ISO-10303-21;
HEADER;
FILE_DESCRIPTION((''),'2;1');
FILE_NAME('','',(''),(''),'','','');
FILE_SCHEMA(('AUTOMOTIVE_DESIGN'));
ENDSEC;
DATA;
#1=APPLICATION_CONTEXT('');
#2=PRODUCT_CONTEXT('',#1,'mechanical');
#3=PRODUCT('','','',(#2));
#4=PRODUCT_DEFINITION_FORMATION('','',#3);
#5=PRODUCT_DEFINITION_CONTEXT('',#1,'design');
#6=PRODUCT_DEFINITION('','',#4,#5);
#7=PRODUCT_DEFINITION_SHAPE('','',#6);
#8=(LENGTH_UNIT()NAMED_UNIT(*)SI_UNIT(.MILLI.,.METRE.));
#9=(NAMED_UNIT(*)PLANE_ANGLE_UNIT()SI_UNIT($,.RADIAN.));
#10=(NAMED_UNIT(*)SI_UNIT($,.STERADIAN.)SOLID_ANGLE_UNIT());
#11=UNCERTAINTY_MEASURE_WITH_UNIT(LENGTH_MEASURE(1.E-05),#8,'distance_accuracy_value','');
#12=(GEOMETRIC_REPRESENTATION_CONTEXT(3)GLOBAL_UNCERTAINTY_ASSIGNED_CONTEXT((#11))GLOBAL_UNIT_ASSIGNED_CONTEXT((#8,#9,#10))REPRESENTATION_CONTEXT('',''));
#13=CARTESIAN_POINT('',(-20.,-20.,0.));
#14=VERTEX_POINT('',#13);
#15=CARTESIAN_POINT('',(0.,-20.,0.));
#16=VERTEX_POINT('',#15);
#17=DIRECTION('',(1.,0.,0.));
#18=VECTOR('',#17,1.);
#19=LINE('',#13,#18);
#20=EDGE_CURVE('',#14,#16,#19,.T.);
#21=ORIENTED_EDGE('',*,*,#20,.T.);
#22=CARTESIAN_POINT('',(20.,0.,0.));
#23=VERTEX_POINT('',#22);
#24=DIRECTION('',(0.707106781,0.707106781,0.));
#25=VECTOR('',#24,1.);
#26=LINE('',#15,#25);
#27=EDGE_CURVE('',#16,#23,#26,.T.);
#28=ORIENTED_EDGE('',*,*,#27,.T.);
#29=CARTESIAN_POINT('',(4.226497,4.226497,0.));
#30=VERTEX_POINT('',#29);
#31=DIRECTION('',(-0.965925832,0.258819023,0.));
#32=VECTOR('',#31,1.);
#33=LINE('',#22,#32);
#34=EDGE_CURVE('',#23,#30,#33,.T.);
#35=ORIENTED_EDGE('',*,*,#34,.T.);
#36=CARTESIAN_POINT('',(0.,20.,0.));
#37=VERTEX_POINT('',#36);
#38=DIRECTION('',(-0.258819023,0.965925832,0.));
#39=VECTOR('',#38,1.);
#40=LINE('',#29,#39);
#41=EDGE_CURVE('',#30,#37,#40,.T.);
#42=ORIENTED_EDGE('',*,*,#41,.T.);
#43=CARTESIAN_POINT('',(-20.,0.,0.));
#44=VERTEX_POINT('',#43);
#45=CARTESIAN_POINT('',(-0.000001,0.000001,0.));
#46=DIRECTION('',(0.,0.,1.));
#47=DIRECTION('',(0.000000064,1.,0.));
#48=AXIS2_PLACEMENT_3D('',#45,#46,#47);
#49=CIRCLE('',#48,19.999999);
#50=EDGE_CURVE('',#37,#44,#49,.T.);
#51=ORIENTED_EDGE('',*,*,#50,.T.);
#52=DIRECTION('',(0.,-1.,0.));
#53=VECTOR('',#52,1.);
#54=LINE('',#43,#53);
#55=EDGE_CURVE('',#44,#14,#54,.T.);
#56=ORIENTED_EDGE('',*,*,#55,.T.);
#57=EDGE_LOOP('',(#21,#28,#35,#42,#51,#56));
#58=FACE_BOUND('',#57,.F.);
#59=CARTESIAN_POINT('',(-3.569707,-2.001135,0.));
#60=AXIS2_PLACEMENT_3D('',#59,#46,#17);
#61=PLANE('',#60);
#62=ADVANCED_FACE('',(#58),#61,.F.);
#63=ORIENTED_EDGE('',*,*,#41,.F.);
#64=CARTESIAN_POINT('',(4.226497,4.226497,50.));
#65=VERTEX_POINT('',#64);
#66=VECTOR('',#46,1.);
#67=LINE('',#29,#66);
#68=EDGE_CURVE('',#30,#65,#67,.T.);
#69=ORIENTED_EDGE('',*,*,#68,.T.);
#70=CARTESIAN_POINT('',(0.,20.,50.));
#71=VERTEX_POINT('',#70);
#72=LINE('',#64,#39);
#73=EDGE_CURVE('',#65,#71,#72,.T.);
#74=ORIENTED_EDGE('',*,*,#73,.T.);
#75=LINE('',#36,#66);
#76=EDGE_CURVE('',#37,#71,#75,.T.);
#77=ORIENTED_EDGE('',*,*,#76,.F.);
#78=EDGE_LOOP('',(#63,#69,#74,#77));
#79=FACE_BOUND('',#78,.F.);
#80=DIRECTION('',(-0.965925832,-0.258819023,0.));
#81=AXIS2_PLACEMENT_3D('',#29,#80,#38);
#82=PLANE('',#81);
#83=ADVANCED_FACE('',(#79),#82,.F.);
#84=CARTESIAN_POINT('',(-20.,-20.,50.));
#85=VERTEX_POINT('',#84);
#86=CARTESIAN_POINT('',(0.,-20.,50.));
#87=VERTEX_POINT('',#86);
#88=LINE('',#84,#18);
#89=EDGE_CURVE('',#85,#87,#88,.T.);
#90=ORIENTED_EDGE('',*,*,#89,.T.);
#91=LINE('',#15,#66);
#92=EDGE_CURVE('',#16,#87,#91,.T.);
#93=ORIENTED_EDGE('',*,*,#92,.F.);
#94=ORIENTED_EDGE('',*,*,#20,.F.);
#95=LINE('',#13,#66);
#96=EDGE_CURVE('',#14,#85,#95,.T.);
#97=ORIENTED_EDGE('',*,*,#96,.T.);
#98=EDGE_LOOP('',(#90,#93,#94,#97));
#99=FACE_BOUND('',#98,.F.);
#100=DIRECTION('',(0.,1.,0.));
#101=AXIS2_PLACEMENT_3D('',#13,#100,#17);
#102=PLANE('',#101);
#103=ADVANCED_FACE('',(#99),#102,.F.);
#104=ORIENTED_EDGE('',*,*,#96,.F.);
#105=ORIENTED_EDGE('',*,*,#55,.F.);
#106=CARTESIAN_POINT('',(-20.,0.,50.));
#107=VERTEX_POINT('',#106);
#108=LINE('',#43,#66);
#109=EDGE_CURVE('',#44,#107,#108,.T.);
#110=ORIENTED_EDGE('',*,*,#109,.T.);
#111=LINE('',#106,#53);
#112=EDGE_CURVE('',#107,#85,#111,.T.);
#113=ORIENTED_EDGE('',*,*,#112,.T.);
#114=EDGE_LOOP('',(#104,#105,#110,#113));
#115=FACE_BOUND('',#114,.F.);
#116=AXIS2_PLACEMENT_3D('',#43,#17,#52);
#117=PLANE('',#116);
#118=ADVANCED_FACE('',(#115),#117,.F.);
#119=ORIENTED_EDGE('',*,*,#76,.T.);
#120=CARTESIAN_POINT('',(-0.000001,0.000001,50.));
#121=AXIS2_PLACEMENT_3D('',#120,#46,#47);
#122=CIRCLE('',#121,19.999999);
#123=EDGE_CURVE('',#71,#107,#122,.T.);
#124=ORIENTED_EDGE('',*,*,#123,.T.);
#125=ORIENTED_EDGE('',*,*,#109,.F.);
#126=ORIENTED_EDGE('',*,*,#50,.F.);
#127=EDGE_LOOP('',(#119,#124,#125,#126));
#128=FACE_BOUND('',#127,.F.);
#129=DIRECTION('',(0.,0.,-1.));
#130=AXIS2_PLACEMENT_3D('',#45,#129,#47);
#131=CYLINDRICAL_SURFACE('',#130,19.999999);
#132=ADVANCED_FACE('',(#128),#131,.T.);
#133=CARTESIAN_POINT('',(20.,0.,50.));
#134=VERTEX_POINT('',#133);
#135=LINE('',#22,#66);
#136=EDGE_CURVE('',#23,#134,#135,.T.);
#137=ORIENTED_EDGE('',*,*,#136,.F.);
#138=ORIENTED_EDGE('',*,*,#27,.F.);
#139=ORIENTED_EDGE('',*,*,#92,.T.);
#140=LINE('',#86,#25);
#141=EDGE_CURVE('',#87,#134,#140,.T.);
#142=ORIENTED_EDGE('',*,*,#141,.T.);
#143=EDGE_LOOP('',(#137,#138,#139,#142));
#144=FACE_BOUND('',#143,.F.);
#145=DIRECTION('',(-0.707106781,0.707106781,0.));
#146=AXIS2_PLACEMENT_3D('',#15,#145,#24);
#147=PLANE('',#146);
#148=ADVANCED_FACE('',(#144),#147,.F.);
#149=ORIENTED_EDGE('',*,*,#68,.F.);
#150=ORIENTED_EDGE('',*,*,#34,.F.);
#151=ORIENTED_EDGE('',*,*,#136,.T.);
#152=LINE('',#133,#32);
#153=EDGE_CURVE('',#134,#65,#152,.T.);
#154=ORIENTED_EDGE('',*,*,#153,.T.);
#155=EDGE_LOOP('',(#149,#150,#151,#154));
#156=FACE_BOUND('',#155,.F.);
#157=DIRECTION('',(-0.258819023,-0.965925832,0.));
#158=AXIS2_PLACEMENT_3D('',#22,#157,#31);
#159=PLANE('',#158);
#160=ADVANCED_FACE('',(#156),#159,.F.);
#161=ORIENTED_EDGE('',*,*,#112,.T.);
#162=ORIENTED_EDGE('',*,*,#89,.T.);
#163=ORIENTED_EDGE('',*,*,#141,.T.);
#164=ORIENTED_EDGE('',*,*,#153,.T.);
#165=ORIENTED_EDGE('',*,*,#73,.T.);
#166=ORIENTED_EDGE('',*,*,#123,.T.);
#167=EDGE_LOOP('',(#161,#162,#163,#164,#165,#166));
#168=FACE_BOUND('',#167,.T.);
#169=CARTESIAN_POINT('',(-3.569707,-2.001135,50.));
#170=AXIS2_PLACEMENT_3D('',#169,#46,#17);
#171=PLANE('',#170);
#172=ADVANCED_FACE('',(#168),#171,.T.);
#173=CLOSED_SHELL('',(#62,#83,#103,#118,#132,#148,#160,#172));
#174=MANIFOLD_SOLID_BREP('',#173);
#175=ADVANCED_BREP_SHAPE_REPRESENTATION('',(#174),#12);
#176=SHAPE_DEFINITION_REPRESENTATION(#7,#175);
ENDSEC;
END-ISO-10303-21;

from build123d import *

# Parameters (mm, degrees)
F1_DEPTH = 50


with BuildPart() as f1:
    # F0 (on Top) → F1 (new body)
    with BuildSketch(Plane.XY):
        with BuildLine():
            ThreePointArc((0, 20), (-14.142136, 14.142136), (-20, 0))
            Line((-20, 0), (-20, -20))
            Line((-20, -20), (0, -20))
            Line((0, -20), (20, 0))
            Line((20, 0), (4.226497, 4.226497))
            Line((4.226497, 4.226497), (0, 20))
        make_face()
    extrude(amount=F1_DEPTH)


solid = f1.part
